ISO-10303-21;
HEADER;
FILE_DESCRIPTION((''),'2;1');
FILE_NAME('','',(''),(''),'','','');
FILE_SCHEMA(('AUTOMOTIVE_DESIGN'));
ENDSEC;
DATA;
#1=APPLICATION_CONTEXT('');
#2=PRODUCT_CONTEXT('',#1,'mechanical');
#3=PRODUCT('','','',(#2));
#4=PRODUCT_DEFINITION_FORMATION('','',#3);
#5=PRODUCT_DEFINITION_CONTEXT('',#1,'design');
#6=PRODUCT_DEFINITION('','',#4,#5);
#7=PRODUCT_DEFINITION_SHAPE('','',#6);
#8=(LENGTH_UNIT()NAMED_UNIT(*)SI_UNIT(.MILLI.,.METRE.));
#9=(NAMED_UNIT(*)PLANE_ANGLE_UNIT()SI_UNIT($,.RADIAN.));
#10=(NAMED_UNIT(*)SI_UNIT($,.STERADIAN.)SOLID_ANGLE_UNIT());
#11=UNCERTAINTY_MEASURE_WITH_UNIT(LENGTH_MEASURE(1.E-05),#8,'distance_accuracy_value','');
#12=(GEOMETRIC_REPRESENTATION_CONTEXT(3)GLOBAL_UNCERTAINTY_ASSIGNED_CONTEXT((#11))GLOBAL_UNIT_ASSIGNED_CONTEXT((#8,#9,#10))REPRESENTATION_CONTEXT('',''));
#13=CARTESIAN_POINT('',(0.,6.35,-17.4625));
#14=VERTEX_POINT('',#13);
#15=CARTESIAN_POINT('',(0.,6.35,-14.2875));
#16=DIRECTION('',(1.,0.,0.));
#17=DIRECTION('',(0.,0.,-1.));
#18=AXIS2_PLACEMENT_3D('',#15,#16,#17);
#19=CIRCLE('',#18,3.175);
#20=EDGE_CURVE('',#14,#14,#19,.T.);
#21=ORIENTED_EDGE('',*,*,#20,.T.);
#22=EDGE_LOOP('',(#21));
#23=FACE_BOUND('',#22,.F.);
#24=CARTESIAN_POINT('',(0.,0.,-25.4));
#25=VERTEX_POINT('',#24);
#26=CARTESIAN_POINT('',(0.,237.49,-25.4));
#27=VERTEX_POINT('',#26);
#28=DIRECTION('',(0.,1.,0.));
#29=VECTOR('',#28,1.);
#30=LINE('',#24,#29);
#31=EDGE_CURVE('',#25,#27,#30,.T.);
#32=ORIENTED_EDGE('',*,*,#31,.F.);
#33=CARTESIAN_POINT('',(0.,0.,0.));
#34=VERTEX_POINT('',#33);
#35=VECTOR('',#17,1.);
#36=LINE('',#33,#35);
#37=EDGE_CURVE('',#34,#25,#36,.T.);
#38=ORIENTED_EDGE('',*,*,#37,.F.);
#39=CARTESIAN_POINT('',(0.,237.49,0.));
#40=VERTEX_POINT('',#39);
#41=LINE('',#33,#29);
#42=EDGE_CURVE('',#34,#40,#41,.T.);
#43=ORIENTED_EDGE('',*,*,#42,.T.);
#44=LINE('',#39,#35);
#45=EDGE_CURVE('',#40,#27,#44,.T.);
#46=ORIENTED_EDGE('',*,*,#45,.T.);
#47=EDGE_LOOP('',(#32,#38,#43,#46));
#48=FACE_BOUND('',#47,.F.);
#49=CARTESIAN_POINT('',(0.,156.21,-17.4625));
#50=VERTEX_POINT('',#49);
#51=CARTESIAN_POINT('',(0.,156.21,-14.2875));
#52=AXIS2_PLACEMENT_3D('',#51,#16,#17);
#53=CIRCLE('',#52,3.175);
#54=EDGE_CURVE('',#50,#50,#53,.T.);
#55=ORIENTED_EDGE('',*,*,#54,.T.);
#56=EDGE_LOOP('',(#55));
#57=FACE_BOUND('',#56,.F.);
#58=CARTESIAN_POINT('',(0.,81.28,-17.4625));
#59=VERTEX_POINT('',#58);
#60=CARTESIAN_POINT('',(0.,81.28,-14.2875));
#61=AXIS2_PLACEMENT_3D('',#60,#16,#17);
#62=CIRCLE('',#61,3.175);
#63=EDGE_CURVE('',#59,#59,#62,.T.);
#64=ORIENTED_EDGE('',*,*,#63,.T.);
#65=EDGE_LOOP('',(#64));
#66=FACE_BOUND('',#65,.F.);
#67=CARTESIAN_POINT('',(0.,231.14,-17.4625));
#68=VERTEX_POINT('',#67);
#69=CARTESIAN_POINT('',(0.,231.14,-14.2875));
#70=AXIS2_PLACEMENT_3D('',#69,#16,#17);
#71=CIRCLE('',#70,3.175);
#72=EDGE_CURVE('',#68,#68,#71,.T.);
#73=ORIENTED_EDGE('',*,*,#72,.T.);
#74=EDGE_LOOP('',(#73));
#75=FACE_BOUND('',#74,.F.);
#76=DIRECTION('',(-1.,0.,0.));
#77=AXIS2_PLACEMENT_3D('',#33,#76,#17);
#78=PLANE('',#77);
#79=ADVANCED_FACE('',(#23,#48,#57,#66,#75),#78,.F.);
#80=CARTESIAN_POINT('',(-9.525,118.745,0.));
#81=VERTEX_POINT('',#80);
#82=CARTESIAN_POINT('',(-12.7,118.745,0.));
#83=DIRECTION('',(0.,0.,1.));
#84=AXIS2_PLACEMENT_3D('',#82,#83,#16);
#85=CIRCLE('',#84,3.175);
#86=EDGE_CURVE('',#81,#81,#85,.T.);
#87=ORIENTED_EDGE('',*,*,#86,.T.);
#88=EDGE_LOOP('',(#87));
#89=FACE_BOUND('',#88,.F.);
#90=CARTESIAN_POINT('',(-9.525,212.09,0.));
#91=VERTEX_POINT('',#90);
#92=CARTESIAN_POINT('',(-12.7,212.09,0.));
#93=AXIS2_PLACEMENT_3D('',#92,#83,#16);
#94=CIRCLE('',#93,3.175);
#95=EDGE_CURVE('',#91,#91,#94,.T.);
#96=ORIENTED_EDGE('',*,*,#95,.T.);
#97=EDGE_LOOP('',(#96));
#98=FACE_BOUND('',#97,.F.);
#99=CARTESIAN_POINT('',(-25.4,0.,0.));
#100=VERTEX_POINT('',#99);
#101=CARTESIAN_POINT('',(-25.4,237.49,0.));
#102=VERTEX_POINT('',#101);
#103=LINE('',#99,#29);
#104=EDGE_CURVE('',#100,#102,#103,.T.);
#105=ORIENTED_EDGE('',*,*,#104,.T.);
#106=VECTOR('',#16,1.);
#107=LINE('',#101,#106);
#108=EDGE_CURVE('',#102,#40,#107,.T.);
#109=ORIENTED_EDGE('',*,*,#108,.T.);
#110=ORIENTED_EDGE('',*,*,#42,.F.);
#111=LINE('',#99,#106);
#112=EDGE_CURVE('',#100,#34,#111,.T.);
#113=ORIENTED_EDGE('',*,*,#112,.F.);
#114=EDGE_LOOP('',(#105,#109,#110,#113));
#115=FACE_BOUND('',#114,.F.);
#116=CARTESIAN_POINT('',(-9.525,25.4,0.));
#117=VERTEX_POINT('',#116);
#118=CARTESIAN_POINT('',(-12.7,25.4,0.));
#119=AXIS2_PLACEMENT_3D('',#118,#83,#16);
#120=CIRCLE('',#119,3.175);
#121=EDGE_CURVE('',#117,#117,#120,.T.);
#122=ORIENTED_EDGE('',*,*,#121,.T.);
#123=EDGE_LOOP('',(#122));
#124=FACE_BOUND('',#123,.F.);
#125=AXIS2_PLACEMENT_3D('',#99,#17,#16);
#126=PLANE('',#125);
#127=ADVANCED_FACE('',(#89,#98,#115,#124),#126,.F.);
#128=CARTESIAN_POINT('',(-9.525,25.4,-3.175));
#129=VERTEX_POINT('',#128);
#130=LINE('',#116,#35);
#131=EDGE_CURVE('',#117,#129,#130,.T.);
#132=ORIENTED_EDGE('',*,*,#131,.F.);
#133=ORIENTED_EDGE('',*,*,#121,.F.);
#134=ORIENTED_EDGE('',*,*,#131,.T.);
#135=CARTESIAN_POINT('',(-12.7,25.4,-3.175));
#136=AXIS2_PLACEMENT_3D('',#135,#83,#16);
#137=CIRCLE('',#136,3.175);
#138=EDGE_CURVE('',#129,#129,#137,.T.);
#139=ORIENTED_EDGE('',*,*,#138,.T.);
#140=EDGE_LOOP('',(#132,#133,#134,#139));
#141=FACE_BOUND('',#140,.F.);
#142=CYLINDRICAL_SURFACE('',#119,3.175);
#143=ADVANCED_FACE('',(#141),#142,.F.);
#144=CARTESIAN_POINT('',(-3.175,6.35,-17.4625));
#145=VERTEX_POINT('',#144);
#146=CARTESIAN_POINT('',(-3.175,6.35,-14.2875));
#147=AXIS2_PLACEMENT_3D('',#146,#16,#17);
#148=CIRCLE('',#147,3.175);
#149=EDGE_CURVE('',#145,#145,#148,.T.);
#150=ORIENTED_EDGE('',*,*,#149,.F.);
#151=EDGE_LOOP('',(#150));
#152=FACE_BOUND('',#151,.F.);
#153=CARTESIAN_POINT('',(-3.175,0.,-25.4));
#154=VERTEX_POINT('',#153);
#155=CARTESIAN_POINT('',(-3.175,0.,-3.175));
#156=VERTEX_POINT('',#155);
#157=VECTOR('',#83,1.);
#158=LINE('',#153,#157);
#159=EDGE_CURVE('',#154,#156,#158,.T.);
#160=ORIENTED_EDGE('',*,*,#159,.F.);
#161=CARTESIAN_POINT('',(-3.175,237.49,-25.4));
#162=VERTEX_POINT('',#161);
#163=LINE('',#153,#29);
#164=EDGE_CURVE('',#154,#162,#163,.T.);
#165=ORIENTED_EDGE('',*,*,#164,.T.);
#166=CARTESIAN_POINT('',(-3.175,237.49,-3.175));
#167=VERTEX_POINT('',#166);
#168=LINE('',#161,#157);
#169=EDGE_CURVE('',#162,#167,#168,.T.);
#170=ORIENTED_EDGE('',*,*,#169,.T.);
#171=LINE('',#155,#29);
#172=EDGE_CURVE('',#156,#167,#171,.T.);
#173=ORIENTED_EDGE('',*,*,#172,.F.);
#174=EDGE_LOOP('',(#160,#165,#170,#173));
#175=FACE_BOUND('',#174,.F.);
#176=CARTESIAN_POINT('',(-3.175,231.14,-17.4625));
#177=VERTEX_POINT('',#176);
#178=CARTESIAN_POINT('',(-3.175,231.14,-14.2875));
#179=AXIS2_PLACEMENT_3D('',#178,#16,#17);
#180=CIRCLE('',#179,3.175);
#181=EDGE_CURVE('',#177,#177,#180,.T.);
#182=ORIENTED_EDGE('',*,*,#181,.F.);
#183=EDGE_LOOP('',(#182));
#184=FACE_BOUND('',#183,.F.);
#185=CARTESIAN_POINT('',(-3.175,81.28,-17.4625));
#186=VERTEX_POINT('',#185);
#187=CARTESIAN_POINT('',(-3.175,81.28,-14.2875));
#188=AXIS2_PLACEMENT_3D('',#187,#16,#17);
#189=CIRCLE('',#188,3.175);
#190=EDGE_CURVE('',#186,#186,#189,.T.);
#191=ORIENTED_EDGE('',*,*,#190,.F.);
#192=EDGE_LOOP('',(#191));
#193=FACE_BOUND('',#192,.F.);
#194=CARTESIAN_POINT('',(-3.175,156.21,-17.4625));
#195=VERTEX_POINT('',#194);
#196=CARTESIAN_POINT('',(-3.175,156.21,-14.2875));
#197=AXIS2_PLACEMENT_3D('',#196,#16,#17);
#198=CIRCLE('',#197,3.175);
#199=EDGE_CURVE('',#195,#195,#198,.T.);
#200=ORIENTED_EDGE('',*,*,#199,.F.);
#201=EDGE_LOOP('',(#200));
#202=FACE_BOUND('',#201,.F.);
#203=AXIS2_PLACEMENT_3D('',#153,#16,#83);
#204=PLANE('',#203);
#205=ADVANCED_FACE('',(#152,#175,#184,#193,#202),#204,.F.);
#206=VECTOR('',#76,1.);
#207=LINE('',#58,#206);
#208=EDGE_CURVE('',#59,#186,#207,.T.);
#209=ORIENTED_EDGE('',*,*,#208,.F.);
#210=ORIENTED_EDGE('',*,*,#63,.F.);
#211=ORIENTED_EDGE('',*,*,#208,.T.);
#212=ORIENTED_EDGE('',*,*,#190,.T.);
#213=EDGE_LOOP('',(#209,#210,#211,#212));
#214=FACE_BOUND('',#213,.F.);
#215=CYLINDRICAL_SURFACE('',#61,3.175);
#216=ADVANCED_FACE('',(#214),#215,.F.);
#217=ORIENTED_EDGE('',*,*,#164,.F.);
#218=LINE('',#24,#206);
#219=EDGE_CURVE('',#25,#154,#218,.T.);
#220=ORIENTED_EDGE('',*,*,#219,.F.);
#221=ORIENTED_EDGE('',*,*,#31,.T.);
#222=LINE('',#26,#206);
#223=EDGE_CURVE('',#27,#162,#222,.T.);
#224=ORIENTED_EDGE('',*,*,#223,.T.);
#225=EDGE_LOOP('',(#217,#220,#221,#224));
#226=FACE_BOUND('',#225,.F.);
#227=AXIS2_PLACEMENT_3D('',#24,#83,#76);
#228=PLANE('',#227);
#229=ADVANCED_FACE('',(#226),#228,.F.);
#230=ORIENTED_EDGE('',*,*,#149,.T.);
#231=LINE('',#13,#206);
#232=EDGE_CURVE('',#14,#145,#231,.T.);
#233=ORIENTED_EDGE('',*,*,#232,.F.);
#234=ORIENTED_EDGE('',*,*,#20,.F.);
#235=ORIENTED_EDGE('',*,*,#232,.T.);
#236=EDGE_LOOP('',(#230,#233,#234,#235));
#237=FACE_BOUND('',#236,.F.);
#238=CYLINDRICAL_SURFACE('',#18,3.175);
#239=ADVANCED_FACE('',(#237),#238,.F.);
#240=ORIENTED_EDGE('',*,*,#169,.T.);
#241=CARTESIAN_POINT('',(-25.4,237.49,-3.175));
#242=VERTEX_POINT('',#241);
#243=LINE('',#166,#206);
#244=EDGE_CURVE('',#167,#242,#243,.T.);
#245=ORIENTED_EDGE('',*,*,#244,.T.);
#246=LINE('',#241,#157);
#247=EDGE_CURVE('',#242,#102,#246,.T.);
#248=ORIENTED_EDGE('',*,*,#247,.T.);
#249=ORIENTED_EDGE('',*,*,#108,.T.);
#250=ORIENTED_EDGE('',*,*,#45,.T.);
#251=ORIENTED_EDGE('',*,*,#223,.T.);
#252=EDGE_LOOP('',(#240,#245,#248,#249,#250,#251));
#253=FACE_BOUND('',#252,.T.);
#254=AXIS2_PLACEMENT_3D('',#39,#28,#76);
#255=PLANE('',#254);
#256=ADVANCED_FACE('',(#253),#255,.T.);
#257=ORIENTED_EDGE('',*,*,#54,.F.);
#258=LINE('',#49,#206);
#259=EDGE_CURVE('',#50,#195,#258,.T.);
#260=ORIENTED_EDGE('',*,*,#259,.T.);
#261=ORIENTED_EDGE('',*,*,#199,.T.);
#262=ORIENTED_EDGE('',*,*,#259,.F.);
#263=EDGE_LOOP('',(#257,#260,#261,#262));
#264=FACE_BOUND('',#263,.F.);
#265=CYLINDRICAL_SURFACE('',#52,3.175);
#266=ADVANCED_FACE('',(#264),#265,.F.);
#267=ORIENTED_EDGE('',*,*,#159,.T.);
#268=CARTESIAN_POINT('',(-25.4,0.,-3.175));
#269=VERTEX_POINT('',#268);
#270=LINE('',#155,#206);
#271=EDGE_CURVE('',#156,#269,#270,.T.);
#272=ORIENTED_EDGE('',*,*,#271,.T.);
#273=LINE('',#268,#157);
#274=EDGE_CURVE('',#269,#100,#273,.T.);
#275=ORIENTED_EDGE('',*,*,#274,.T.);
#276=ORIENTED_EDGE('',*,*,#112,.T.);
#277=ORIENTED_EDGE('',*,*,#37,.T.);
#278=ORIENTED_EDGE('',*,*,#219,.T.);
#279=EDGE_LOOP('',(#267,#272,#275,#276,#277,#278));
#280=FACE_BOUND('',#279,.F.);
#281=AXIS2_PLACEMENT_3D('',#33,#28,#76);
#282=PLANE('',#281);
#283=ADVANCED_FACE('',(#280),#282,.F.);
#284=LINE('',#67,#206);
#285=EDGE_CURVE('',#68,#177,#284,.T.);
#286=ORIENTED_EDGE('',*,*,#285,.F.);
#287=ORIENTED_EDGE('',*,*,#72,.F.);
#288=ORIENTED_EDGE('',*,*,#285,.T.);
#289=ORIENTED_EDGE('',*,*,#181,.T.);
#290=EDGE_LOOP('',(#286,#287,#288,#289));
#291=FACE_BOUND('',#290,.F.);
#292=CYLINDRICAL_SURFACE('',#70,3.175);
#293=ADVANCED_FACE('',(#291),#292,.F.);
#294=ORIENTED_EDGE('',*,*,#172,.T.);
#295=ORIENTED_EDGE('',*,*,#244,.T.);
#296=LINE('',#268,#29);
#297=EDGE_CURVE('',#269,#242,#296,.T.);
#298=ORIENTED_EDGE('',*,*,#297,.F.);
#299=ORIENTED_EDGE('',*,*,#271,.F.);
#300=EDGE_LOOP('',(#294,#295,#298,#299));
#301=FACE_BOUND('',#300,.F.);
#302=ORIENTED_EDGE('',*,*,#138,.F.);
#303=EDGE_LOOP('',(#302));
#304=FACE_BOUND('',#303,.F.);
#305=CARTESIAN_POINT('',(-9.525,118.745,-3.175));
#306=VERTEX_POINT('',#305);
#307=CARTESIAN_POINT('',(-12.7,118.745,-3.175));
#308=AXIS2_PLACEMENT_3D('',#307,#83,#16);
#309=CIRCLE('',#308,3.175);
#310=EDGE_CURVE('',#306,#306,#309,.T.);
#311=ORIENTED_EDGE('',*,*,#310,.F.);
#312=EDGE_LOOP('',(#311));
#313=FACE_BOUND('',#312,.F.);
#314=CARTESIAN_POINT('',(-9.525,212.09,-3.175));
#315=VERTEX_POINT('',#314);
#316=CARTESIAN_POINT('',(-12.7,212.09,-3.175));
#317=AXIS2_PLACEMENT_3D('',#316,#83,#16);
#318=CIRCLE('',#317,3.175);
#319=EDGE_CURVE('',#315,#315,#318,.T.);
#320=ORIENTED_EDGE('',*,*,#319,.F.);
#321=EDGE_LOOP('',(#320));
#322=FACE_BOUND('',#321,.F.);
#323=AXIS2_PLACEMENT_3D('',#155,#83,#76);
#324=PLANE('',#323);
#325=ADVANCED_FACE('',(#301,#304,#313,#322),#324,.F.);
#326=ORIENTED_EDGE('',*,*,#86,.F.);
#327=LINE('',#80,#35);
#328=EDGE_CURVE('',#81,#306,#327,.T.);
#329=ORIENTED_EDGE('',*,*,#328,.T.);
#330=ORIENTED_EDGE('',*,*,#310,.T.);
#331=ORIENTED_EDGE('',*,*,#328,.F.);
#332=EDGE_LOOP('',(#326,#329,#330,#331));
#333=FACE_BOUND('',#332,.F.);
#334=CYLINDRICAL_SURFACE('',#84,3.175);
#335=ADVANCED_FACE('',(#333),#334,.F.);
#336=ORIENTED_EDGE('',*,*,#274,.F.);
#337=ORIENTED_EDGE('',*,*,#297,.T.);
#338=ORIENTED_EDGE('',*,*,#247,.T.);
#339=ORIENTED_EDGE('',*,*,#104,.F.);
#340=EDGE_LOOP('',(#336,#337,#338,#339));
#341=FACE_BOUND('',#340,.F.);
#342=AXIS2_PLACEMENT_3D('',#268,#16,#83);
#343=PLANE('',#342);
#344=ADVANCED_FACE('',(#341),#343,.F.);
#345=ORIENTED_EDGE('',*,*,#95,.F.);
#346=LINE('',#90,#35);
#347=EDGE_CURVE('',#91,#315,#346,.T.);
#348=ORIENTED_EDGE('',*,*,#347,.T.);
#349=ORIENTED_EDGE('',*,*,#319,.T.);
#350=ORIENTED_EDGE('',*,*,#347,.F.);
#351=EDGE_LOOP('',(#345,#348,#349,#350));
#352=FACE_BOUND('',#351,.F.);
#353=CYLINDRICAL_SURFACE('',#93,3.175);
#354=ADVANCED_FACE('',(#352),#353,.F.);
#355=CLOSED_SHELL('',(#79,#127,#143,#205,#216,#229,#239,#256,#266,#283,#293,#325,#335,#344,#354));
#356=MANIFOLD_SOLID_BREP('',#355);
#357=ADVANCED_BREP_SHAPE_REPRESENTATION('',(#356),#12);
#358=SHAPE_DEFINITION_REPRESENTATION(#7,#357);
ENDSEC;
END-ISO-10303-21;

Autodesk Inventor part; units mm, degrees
ref_plane "YZ Plane" through (0, 0, 0) normal (1, 0, 0) x (0, 1, 0)
ref_plane "XZ Plane" through (0, 0, 0) normal (0, 1, 0) x (-1, 0, 0)
ref_plane "XY Plane" through (0, 0, 0) normal (0, 0, 1) x (1, 0, 0)
sketch "Sketch1" plane through (0, 0, 0) normal (0, 1, 0) x (-1, 0, 0)
  line L0 (0, 0) -> (0, -25.4)
  line L1 (0, -25.4) -> (3.175, -25.4)
  line L2 (3.175, -25.4) -> (3.175, -3.175)
  line L3 (3.175, -3.175) -> (25.4, -3.175)
  line L4 (25.4, -3.175) -> (25.4, 0)
  line L5 (25.4, 0) -> (0, 0)
  dimension "d0" = 25.4
  dimension "d1" = 3.175
  dimension "d2" = 22.225
  dimension "d3" = 22.225
extrude "Extrusion1" add sketch "Sketch1" along normal blind 237.49
sketch "Sketch4" plane through (0, 0, 0) normal (1, 0, 0) x (0, 0, -1)
  line L0 (25.4, 0) -> (3.175, 0) projected
  line L1 (25.4, 237.49) -> (3.175, 237.49) projected
  circle A0 centre (14.2875, 231.14) radius 3.175
  circle A1 centre (14.2875, 6.35) radius 3.175
  circle A2 centre (14.2875, 156.21) radius 3.175
  circle A3 centre (14.2875, 81.28) radius 3.175
  point P0 (0, 0)
  dimension "d23" = 6.35
  dimension "d26" = 6.35
  dimension "d27" = 6.35
extrude "Extrusion4" cut sketch "Sketch4" against normal blind 237.49
sketch "Sketch5" plane through (-25.4, 0, 0) normal (0, 0, 1) x (1, 0, 0)
  line L0 (0, 0) -> (25.4, 0) projected
  line L1 (22.225, 237.49) -> (0, 237.49) projected
  circle A0 centre (12.7, 212.09) radius 3.175
  circle A1 centre (12.7, 118.745) radius 3.175
  circle A2 centre (12.7, 25.4) radius 3.175
  dimension "d32" = 6.35
  dimension "d33" = 6.35
  dimension "d34" = 6.35
extrude "Extrusion5" cut sketch "Sketch5" against normal blind 237.49
properties part number "Cylinder Bracket"
